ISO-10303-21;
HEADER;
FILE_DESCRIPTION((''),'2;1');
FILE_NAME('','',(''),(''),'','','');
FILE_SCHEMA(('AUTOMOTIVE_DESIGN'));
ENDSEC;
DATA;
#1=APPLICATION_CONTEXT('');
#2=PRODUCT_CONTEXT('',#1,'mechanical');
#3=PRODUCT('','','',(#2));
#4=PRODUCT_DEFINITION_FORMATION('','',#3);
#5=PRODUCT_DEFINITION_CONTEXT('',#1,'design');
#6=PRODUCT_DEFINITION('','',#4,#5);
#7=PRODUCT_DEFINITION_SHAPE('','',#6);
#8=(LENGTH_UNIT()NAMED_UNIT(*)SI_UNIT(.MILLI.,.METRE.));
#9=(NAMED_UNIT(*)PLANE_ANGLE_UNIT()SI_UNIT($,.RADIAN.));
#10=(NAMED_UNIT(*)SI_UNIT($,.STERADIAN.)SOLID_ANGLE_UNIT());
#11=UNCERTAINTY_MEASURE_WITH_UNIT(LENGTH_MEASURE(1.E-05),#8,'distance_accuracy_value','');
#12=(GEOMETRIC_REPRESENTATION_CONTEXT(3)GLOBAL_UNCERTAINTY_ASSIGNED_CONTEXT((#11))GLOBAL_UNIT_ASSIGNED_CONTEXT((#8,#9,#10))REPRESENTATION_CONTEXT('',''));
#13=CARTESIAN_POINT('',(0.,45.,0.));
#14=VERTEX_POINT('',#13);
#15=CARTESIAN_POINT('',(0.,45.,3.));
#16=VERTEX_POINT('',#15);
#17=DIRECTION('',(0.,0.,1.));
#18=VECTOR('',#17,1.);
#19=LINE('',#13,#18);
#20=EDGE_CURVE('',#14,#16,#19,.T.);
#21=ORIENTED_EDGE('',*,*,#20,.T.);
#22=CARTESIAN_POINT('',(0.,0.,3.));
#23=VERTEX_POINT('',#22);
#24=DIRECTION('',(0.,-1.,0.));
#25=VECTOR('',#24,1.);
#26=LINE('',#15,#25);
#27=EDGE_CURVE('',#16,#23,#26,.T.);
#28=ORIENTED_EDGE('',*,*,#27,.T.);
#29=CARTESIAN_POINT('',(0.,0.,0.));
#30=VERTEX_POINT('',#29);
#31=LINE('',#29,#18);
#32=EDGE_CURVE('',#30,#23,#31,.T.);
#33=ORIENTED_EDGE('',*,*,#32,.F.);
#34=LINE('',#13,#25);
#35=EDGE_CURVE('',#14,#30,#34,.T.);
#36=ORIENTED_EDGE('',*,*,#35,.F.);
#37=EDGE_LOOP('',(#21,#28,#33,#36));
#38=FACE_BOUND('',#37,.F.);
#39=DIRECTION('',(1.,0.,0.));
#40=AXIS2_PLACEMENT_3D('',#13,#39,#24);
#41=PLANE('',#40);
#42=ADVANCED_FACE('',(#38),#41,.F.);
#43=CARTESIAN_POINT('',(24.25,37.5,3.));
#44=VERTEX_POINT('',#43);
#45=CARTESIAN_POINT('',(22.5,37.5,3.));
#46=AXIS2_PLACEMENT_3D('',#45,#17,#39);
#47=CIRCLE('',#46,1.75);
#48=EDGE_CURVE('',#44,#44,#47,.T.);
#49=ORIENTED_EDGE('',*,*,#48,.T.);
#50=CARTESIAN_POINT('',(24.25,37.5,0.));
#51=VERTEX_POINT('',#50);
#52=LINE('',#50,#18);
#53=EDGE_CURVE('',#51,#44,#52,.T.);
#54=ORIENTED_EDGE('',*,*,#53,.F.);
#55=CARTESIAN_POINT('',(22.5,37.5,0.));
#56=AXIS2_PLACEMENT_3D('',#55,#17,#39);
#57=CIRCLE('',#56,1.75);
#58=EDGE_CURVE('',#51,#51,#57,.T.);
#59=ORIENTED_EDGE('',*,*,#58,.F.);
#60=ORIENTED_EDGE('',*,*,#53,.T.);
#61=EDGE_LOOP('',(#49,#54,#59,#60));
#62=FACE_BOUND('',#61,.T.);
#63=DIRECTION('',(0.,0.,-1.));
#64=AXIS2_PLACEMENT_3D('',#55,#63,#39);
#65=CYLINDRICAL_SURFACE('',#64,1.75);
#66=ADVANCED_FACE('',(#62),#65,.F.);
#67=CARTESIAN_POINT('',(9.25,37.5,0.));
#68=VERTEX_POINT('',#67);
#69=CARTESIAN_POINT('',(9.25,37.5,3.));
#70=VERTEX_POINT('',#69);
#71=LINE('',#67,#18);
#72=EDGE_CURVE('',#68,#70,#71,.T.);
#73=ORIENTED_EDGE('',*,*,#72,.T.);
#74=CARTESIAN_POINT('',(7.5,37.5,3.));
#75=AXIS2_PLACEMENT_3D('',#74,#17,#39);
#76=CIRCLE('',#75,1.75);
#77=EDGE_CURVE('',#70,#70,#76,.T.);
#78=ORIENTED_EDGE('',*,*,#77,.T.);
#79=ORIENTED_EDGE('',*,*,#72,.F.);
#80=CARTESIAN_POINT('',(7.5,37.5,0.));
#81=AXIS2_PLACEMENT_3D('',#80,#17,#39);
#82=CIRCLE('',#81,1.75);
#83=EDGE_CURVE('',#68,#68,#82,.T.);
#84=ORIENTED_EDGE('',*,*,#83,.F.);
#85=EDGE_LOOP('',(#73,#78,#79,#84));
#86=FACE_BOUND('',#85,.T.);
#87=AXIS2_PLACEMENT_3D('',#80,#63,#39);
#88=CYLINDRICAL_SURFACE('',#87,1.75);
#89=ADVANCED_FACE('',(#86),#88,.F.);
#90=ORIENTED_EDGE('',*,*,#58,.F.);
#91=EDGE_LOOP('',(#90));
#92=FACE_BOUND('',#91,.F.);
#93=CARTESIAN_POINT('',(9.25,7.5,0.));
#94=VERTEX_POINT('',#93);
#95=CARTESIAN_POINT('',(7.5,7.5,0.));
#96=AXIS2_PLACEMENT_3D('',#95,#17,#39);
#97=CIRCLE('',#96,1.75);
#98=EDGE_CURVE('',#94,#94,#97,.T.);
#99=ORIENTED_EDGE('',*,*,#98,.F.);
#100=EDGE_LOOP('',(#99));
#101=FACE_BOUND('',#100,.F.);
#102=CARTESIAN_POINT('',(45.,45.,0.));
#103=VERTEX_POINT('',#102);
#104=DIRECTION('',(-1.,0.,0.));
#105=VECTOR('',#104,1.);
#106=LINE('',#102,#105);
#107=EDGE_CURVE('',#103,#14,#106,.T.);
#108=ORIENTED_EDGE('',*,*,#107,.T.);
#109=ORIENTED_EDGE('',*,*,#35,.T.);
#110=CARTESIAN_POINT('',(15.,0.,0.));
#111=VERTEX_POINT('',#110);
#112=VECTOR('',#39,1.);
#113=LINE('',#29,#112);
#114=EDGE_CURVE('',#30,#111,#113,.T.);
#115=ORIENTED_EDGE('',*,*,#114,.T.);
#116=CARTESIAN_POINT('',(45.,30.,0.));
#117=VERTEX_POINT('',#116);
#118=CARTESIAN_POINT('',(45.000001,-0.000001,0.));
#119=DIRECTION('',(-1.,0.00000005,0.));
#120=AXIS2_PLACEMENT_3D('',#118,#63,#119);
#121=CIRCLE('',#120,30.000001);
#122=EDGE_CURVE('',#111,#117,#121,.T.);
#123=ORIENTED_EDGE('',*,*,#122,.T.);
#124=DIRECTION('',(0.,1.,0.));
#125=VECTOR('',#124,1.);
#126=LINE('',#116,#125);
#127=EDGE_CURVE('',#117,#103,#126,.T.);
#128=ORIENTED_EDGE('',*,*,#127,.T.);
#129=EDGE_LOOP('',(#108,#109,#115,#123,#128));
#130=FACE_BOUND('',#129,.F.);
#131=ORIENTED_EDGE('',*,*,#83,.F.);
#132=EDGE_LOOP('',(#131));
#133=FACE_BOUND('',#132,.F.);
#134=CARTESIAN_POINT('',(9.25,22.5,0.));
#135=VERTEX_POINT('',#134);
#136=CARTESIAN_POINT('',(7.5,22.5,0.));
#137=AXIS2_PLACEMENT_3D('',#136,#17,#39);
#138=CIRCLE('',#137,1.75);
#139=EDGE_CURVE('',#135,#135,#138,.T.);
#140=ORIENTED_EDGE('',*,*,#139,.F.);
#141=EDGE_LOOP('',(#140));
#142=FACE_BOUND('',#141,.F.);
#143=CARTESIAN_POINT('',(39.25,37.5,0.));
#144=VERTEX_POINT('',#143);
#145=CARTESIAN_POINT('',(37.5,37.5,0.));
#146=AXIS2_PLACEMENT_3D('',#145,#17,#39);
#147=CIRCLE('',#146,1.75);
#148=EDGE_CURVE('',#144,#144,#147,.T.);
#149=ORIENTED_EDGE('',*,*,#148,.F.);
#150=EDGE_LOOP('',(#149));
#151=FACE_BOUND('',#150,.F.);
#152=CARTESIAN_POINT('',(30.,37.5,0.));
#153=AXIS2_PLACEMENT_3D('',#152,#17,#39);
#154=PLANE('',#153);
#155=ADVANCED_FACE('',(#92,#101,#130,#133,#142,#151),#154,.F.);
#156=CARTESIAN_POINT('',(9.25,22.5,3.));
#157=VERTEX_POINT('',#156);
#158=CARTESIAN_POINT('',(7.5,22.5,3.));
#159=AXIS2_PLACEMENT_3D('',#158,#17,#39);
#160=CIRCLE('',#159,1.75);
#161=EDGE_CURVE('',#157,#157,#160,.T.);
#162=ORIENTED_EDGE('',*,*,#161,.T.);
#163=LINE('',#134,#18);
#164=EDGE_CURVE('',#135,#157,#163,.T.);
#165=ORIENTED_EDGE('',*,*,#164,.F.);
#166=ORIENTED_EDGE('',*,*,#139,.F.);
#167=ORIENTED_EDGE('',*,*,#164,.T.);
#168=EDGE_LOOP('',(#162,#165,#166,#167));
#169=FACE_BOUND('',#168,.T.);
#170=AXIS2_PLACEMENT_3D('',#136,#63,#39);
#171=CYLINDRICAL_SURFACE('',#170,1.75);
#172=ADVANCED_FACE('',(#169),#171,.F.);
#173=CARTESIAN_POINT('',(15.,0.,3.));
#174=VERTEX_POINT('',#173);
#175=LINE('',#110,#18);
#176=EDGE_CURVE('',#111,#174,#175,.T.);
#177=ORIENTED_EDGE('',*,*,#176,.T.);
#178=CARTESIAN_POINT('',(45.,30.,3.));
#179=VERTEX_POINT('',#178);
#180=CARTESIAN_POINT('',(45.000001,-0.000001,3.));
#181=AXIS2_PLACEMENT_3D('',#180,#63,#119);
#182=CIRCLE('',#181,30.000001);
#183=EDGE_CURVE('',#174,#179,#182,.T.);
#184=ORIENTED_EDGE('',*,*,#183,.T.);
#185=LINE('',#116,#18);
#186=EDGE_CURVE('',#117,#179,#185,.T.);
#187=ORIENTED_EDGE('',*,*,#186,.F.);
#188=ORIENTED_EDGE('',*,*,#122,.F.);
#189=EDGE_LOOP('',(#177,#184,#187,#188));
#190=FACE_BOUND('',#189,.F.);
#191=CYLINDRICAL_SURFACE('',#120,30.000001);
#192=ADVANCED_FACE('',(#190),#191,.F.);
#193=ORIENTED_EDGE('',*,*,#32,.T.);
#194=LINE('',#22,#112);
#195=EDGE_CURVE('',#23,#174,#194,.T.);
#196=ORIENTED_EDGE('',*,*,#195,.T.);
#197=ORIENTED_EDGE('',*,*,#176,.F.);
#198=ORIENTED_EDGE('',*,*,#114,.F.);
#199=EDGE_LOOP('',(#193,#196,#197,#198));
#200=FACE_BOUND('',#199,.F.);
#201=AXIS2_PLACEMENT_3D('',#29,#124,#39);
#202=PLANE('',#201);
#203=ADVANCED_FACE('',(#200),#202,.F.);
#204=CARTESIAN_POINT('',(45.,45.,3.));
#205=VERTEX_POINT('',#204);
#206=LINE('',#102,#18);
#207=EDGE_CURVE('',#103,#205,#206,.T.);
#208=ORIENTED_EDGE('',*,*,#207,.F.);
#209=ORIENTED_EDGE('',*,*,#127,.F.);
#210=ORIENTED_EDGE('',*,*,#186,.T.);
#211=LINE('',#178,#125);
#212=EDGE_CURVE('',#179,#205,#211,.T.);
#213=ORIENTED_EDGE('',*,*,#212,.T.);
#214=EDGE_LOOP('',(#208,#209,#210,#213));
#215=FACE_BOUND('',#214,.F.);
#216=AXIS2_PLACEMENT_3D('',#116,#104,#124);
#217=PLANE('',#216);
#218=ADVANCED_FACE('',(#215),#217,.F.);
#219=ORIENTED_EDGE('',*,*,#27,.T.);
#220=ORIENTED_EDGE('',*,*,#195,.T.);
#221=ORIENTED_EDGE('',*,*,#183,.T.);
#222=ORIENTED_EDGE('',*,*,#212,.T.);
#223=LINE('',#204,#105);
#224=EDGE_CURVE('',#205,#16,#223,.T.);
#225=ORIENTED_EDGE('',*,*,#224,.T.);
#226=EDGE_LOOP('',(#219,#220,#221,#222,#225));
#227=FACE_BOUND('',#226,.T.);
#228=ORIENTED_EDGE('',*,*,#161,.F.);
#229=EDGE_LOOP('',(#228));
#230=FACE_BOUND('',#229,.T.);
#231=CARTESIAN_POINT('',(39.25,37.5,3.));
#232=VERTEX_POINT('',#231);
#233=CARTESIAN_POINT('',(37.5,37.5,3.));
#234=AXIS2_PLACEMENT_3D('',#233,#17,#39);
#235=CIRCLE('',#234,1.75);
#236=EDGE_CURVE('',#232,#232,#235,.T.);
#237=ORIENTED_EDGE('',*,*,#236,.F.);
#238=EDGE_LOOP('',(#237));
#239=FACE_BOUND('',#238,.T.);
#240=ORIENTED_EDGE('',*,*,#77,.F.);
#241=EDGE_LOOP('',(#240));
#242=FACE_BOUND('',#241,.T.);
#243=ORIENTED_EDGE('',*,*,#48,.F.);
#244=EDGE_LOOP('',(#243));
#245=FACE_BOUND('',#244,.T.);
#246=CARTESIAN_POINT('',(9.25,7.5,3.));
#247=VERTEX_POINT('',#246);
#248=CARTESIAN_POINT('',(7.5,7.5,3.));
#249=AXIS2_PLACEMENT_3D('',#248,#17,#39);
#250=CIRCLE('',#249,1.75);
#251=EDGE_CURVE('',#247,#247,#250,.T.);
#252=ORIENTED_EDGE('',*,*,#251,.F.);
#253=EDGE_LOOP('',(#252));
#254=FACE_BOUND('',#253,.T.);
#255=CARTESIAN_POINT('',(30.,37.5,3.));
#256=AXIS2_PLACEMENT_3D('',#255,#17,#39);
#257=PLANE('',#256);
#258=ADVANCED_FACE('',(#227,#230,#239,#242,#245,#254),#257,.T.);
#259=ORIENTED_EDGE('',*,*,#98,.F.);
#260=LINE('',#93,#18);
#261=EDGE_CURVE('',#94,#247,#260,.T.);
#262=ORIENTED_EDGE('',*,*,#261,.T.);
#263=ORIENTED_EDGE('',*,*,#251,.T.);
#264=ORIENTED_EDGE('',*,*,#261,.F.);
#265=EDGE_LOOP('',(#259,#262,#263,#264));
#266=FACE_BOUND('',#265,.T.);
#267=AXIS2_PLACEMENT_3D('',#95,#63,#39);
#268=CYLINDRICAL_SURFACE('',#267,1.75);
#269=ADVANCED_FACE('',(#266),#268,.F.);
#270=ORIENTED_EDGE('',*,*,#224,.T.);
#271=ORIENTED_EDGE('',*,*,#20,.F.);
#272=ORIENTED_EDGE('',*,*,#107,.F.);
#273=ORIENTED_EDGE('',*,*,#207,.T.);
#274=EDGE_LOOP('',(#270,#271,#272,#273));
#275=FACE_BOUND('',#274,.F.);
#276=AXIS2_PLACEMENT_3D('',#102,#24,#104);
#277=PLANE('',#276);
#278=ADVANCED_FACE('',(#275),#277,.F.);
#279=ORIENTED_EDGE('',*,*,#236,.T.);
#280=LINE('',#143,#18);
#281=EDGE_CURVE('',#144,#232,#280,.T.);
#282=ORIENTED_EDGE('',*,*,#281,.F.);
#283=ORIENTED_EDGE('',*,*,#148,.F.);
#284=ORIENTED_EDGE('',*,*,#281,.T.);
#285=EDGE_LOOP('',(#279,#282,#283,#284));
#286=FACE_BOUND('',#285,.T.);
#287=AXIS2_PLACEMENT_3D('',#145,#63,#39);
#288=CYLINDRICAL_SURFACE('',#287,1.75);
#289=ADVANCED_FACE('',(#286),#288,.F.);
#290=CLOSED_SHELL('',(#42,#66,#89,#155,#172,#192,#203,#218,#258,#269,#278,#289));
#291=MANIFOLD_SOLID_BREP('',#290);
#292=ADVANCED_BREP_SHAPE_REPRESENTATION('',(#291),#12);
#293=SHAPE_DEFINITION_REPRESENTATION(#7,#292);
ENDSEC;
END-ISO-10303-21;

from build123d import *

# Parameters (mm, degrees)
F0_R     = 1.75
F0_W     = 15
F0_H     = 15
F1_DEPTH = 3


with BuildPart() as f1:
    # F0 (on Top) → F1 (new body)
    with BuildSketch(Plane.XY):
        Polygon((45, 45), (15, 45), (15, 30), (30, 30), (45, 30), align=None)
        with Locations((22.5, 37.5)):
            Circle(F0_R, mode=Mode.SUBTRACT)
        with Locations((37.5, 37.5)):
            Circle(F0_R, mode=Mode.SUBTRACT)
        with Locations((7.5, 37.5)):
            Rectangle(F0_W, F0_H)
        with Locations((7.5, 37.5)):
            Circle(F0_R, mode=Mode.SUBTRACT)
        Polygon((15, 30), (0, 30), (0, 15), (0, 0), (15, 0), align=None)
        with Locations((7.5, 7.5)):
            Circle(F0_R, mode=Mode.SUBTRACT)
        with Locations((7.5, 22.5)):
            Circle(F0_R, mode=Mode.SUBTRACT)
        with BuildLine():
            Line((30, 30), (15, 30))
            Line((15, 30), (15, 0))
            ThreePointArc((15, 0), (23.786797, 21.213203), (45, 30))
            Line((45, 30), (30, 30))
        make_face()
    extrude(amount=F1_DEPTH)


solid = f1.part
